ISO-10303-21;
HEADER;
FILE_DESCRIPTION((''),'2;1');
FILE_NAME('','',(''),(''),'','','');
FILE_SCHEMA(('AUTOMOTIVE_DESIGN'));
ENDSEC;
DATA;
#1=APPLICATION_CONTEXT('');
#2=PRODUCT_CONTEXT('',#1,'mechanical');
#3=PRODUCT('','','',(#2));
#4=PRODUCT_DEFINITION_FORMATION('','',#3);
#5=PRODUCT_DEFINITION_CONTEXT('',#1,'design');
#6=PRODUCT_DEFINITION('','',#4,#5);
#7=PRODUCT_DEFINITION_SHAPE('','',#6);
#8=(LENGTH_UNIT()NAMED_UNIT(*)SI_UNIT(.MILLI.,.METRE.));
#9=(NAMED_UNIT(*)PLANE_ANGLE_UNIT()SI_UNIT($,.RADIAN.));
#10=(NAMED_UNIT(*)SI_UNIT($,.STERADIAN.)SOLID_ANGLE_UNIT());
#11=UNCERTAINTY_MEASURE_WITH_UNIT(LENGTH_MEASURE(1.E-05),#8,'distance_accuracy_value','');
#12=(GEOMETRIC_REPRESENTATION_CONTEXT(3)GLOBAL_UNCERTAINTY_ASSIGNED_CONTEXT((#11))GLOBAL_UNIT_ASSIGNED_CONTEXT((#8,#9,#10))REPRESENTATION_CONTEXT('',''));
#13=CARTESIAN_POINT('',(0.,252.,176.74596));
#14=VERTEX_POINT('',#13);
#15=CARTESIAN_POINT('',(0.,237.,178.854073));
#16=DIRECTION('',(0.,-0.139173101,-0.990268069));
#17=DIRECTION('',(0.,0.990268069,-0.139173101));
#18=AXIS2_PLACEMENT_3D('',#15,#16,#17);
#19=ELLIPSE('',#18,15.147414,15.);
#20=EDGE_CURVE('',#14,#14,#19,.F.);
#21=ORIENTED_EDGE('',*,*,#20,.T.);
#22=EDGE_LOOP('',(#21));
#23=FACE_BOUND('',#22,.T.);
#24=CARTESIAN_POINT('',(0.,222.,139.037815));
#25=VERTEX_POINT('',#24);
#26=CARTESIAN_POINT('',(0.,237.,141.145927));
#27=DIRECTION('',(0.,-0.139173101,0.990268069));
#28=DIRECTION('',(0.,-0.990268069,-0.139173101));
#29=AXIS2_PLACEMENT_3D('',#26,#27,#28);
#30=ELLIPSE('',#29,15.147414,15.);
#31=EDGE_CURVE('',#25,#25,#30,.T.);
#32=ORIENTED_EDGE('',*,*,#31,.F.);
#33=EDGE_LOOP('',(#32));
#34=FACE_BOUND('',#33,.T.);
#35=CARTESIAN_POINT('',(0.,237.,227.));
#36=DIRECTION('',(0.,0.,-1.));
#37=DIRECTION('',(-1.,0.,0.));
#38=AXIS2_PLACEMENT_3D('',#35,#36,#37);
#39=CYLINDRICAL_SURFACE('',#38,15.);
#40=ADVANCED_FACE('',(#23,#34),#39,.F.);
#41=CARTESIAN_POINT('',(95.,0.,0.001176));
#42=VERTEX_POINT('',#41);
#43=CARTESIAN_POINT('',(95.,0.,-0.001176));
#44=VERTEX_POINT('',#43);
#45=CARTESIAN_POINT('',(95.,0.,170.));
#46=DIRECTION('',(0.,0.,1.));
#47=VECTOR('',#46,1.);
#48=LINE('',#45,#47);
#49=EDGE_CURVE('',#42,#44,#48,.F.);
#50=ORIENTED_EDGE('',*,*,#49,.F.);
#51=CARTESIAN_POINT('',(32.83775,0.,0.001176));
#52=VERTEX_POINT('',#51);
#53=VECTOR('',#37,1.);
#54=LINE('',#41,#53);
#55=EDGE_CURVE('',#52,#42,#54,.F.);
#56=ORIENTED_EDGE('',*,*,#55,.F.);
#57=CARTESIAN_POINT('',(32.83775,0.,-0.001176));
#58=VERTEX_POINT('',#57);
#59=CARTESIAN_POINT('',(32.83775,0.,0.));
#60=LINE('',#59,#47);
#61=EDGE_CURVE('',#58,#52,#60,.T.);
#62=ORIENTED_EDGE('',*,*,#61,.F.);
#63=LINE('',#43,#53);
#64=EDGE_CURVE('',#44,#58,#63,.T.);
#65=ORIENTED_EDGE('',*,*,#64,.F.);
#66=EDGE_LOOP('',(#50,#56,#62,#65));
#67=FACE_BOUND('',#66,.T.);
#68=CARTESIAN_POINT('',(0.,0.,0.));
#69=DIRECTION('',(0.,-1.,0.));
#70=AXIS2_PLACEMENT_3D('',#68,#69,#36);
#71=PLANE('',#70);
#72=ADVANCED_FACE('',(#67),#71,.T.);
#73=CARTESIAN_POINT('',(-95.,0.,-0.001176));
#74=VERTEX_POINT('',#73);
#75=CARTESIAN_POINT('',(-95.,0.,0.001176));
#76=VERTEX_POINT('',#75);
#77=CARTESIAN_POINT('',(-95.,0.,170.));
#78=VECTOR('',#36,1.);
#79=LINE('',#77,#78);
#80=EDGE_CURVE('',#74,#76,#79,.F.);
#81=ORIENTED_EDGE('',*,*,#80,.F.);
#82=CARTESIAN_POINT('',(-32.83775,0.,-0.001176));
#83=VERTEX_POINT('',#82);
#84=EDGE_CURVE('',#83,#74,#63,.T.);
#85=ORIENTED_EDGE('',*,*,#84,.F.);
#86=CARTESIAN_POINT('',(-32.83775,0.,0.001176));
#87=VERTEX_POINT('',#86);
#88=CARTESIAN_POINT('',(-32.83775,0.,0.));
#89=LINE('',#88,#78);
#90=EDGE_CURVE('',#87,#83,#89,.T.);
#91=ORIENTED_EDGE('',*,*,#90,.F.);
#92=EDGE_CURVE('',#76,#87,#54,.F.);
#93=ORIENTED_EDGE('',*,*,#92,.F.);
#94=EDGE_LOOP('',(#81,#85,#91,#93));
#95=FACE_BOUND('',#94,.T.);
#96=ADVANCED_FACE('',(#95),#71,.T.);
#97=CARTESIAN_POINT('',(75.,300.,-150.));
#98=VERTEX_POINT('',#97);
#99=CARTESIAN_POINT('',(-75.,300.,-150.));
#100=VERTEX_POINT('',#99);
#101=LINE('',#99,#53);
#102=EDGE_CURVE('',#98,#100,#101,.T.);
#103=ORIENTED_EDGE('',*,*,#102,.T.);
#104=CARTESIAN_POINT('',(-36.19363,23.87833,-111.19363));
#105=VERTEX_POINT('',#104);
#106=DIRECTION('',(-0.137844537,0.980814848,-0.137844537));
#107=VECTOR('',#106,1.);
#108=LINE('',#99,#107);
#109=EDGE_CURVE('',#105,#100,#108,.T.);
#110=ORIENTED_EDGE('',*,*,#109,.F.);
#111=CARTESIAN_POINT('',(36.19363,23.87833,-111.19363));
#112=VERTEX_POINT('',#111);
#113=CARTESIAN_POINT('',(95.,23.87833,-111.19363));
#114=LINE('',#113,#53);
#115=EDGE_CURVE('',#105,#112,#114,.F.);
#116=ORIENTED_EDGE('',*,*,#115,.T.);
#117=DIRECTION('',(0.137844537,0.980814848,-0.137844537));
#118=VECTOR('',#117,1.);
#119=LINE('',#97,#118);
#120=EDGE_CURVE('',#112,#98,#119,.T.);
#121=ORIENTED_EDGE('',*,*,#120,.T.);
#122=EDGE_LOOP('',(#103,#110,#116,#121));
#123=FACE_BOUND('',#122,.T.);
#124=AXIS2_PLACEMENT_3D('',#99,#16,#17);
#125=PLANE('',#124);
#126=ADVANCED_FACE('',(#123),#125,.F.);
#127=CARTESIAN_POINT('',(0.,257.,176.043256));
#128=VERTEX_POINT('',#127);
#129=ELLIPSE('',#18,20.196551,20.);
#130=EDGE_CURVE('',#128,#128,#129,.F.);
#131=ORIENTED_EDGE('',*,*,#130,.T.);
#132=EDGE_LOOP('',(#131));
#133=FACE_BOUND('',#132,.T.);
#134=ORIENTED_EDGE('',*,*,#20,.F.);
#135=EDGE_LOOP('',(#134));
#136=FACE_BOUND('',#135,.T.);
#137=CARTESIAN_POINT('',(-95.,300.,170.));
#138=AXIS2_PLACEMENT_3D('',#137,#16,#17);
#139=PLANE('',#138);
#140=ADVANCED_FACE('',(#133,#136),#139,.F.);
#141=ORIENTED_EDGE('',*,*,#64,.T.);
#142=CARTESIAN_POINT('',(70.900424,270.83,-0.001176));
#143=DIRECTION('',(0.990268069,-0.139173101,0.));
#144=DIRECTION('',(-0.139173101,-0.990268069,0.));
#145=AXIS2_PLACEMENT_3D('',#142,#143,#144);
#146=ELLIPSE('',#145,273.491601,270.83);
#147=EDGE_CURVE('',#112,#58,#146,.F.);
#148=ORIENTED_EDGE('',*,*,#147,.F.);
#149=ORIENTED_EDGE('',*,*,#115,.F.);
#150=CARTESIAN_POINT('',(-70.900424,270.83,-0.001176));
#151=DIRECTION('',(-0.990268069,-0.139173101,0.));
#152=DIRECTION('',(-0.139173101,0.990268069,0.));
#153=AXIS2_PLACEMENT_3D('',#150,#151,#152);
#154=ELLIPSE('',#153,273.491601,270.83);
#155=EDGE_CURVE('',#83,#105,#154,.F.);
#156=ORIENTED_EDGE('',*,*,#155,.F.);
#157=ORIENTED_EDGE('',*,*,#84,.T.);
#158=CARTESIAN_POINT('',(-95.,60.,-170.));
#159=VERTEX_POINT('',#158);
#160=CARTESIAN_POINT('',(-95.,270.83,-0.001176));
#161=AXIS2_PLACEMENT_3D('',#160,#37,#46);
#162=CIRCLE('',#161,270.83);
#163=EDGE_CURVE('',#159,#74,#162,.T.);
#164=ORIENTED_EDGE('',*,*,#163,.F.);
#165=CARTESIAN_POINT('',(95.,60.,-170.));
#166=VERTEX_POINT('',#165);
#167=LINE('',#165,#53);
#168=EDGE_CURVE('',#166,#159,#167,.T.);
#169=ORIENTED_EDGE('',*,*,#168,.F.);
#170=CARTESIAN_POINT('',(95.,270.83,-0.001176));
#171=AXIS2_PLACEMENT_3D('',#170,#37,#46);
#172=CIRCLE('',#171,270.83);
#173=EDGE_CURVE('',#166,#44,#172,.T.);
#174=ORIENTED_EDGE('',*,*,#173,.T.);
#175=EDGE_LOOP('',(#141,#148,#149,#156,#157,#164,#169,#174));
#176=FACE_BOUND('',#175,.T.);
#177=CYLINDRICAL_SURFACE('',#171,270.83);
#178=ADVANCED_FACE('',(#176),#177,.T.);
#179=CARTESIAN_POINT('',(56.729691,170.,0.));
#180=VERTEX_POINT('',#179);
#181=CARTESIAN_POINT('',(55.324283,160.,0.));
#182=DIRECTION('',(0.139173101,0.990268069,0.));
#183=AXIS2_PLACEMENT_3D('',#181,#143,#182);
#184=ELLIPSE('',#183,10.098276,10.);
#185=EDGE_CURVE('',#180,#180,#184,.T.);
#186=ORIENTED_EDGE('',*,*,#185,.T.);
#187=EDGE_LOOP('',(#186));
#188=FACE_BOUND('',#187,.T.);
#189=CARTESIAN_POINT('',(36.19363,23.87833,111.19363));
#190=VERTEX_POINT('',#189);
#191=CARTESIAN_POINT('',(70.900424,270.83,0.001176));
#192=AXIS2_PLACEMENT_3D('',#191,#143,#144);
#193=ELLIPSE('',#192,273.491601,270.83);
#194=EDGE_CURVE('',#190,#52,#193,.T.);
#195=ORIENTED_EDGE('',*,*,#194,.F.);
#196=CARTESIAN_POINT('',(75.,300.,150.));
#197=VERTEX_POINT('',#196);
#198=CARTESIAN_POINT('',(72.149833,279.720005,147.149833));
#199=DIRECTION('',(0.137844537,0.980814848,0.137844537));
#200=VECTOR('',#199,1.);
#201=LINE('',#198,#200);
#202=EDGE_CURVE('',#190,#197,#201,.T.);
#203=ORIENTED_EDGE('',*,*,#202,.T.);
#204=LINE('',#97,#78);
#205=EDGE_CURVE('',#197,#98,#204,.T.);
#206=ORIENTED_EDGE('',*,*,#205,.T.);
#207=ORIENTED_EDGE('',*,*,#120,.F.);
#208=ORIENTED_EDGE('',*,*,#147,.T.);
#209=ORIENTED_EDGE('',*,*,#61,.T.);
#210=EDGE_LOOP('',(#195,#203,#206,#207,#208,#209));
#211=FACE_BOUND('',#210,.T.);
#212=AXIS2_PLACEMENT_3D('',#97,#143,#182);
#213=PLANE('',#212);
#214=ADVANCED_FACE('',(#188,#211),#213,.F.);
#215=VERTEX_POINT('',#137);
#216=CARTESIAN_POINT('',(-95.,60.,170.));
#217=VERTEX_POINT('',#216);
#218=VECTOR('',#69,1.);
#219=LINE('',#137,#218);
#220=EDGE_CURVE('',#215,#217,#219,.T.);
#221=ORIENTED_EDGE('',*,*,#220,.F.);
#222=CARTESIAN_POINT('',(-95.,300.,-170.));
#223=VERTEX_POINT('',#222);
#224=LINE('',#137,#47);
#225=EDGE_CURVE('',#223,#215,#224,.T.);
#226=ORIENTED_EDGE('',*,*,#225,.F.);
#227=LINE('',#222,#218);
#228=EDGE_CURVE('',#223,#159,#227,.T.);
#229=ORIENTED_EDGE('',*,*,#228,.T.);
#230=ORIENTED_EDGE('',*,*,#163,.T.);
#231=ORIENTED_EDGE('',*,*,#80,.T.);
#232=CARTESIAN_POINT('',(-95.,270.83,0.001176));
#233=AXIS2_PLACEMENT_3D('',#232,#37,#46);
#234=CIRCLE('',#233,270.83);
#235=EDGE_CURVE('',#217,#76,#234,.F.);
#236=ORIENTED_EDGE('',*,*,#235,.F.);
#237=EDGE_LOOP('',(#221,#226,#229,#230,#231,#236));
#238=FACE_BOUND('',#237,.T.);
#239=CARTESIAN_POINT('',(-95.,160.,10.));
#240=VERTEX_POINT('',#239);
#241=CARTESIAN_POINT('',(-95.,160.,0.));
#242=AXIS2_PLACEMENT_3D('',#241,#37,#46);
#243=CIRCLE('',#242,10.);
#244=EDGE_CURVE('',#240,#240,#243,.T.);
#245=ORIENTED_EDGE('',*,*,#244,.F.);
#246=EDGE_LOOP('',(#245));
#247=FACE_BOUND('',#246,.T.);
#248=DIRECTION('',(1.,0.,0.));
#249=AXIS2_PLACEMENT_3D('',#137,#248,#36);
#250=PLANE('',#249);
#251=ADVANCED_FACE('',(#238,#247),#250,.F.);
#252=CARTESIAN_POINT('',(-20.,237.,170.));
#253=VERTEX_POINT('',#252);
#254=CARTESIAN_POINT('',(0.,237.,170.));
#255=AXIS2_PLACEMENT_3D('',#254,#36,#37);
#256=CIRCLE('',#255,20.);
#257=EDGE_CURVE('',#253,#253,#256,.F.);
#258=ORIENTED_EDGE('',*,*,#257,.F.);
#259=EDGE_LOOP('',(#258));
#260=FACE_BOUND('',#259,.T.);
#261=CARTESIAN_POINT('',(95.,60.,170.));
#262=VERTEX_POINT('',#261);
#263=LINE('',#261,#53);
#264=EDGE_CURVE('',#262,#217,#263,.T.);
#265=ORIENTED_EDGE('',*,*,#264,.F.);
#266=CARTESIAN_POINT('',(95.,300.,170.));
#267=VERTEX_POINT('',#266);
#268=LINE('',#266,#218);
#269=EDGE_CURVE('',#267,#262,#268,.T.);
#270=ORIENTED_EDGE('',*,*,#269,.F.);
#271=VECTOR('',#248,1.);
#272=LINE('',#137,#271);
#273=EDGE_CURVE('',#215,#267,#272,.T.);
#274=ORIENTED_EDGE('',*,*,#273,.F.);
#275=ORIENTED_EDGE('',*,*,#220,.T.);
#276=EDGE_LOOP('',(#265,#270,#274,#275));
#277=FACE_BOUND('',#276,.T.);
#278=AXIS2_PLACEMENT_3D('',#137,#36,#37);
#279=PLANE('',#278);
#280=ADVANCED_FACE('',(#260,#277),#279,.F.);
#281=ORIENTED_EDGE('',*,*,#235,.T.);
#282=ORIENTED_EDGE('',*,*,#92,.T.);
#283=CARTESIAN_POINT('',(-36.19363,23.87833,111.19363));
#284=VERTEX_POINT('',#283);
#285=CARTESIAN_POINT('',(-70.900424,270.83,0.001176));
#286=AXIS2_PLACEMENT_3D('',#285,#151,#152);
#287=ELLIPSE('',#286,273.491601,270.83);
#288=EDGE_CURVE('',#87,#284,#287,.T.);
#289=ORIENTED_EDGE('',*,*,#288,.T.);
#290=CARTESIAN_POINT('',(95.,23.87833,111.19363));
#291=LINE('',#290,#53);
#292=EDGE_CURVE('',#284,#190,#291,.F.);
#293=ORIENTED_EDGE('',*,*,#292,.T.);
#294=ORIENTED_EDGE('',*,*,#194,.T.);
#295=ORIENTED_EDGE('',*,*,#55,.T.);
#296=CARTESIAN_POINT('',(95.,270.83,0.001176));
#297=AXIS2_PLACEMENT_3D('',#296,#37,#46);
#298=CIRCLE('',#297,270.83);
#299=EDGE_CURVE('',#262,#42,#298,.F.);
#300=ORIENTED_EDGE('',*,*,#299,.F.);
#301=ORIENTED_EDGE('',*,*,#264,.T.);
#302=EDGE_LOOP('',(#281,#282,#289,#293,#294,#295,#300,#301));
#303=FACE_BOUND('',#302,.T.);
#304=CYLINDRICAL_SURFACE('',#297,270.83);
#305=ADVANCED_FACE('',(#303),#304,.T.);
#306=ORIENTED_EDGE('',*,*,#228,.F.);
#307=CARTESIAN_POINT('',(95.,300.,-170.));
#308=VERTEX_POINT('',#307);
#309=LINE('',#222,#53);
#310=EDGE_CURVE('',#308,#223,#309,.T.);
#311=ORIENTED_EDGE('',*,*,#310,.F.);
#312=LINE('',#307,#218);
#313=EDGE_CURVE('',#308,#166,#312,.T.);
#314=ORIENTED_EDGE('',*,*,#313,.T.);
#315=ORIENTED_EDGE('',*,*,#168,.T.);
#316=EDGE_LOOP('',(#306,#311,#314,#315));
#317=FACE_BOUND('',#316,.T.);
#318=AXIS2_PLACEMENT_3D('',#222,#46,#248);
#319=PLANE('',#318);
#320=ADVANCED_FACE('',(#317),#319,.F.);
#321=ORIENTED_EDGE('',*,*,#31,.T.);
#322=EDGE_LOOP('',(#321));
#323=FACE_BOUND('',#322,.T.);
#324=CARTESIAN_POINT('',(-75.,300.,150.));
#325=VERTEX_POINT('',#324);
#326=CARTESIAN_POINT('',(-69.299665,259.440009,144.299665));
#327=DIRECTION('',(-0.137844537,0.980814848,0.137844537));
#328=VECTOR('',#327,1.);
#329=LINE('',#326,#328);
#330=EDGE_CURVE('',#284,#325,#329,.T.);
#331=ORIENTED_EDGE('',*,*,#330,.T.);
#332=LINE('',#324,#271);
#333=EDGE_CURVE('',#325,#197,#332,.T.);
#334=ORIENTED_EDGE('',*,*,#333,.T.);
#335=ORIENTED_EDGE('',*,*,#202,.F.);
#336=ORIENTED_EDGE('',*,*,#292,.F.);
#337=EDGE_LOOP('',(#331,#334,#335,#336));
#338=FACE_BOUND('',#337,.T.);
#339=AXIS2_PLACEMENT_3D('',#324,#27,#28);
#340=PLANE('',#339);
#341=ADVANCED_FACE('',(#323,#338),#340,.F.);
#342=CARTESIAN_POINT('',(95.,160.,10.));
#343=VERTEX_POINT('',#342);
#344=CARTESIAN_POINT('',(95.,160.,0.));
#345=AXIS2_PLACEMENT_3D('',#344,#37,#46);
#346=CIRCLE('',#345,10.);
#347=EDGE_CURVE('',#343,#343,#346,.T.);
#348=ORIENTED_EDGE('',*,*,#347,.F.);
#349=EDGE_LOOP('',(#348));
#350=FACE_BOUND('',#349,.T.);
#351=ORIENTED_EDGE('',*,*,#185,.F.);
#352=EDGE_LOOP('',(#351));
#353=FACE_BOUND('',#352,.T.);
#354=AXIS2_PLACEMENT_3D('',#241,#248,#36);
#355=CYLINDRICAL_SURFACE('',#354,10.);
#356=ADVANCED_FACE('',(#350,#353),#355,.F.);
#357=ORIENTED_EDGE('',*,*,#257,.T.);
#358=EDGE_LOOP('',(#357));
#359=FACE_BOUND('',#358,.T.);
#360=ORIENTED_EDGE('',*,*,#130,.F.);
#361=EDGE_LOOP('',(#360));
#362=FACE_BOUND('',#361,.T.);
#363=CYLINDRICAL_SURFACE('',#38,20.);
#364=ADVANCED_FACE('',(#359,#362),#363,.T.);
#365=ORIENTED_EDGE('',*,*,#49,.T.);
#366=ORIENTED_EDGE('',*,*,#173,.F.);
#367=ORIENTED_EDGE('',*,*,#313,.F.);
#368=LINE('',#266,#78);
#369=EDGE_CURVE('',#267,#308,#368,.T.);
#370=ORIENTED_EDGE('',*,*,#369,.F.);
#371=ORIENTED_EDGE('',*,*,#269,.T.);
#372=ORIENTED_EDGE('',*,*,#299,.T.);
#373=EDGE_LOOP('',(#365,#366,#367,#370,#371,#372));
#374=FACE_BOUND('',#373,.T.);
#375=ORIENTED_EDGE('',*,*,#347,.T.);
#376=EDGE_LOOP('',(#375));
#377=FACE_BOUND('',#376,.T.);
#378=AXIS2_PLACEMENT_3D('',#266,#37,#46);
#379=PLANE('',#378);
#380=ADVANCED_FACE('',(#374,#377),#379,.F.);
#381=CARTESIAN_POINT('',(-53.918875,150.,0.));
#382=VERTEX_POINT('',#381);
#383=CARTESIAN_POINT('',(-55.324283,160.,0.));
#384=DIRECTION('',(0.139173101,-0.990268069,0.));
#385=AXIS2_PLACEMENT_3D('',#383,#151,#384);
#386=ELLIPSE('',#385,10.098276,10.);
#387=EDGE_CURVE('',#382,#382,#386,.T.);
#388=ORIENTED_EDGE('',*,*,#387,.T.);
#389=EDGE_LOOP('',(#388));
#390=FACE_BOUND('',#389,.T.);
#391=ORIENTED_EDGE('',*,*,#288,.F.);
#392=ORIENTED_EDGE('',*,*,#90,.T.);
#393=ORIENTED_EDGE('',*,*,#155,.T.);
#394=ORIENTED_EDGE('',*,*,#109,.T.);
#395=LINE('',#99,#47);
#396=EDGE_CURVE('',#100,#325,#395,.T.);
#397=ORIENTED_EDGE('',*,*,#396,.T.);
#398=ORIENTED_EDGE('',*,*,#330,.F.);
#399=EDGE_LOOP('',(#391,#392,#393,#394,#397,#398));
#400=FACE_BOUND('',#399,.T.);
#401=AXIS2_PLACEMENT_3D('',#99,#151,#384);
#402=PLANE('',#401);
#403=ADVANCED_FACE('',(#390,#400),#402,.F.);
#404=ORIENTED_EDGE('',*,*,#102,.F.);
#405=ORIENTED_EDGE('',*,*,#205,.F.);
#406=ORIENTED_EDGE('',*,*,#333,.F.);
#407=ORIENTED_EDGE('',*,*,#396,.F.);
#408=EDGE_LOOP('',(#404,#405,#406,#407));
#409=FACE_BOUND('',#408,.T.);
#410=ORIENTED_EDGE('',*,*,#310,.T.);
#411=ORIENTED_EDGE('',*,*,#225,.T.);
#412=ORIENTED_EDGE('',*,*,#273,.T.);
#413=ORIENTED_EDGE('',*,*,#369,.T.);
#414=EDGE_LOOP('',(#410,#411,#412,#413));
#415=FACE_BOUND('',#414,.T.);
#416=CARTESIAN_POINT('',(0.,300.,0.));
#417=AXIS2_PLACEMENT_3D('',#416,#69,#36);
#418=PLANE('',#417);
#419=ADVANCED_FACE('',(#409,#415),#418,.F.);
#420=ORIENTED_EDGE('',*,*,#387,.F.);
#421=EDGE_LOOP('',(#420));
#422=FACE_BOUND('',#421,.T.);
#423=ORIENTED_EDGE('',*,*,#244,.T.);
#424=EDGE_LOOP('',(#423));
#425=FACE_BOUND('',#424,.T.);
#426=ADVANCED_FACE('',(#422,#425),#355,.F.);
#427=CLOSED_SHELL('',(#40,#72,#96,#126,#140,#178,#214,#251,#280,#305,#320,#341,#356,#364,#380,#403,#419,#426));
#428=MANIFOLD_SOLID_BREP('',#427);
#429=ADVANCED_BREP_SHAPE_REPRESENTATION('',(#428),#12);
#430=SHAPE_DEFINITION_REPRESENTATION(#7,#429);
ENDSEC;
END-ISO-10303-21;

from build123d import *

# Parameters (mm, degrees)
SKETCH1_W                    = 190
SKETCH1_H                    = 340
BOSS_EXTRUDE1_DEPTH          = 300
SKETCH2_R                    = 20
SKETCH2_R_2                  = 15
BOSS_EXTRUDE2_DEPTH          = 57
CUT_EXTRUDE1_START           = -190
SKETCH5_R                    = 10
CUT_EXTRUDE1_DEPTH           = 612.460555687
CUT_EXTRUDE2_DEPTH           = 422.460555687
CUT_EXTRUDE6_START           = -236
CUT_EXTRUDE6_DEPTH           = 236
SKETCH10_OUTSIDE_W           = 383.134
SKETCH10_OUTSIDE_H           = 590.134
SKETCH10_OUTSIDE_W_2         = 190
SKETCH10_OUTSIDE_H_2         = 340
CUT_EXTRUDE7_DEPTH           = 301
CUT_EXTRUDE7_DRAFT           = -8
SKETCH10_OUTSIDE_W_3         = 150
SKETCH10_OUTSIDE_H_3         = 300
CUT_EXTRUDE7_PROFILE_2_DEPTH = 301
CUT_EXTRUDE7_PROFILE_2_DRAFT = -8


with BuildPart() as part:
    # Sketch1 → Boss-Extrude1 (new body)
    with BuildSketch(Plane(origin=(0, 0, 0), x_dir=(1, 0, 0), z_dir=(0, 1, 0))):
        Rectangle(SKETCH1_W, SKETCH1_H)
    extrude(amount=BOSS_EXTRUDE1_DEPTH)

    # Sketch2 → Boss-Extrude2 (add)
    with BuildSketch(Plane.XY.offset(170)):
        with Locations(Location((0, 237, 0), (0, 0, 180))):
            Circle(SKETCH2_R)
        with Locations(Location((0, 237, 0), (0, 0, 180))):
            Circle(SKETCH2_R_2, mode=Mode.SUBTRACT)
    extrude(amount=BOSS_EXTRUDE2_DEPTH)

    # Sketch5 → Cut-Extrude1 (cut, through all)
    with BuildSketch(Plane.ZY.offset(95).offset(CUT_EXTRUDE1_START)):
        with Locations((0, 160)):
            Circle(SKETCH5_R)
    extrude(amount=CUT_EXTRUDE1_DEPTH, mode=Mode.SUBTRACT)

    # Sketch9 → Cut-Extrude2 (cut, through all)
    with BuildSketch(Plane.ZY.offset(95)):
        with BuildLine():
            ThreePointArc((0, 0), (-90.138848958, 15.439927953), (-170, 60))
            Line((-170, 60), (-170, 0))
            Line((-170, 0), (0, 0))
        make_face()
        with BuildLine():
            ThreePointArc((170, 60), (90.138848958, 15.439927953), (0, 0))
            Line((0, 0), (170, 0))
            Line((170, 0), (170, 60))
        make_face()
    extrude(amount=-CUT_EXTRUDE2_DEPTH, mode=Mode.SUBTRACT)

    # Sketch2<3> → Cut-Extrude6 (cut)
    with BuildSketch(Plane.XY.offset(170).offset(CUT_EXTRUDE6_START)):
        with BuildLine():
            ThreePointArc((-15, 237), (0, 222), (15, 237))
            Line((15, 237), (-15, 237))
        make_face()
        with BuildLine():
            Line((-15, 237), (15, 237))
            ThreePointArc((15, 237), (0, 252), (-15, 237))
        make_face()
    extrude(amount=CUT_EXTRUDE6_DEPTH, mode=Mode.SUBTRACT)


with BuildPart() as cut_extrude7_tool:
    # Sketch10 outside → Cut-Extrude7 (with draft: the straight prism first)
    with BuildSketch(Plane(origin=(0, 300, 0), x_dir=(1, 0, 0), z_dir=(0, 1, 0))):
        with Locations((0, -28.5)):
            Rectangle(SKETCH10_OUTSIDE_W, SKETCH10_OUTSIDE_H)
        Rectangle(SKETCH10_OUTSIDE_W_2, SKETCH10_OUTSIDE_H_2, mode=Mode.SUBTRACT)
    extrude(amount=-CUT_EXTRUDE7_DEPTH)
    # Cut-Extrude7: the draft: its side faces are tilted about the plane it starts from
    cut_extrude7_sides = [cut_extrude7_tool.faces().sort_by_distance(p)[0] for p in [
        (0, 149.5, 323.567),
        (191.567, 149.5, 28.5),
        (0, 149.5, -266.567),
        (-191.567, 149.5, 28.5),
        (0, 149.5, -170),
        (95, 149.5, 0),
        (0, 149.5, 170),
        (-95, 149.5, 0),
    ]]
    draft(cut_extrude7_sides, Plane(origin=(0, 300, 0), x_dir=(1, 0, 0), z_dir=(0, 1, 0)), CUT_EXTRUDE7_DRAFT)


with BuildPart() as part_1:
    add(part.part)

    # Cut-Extrude7: cut by cut_extrude7_tool
    add(cut_extrude7_tool.part, mode=Mode.SUBTRACT)


with BuildPart() as cut_extrude7_profile_2_tool:
    # Sketch10 outside → Cut-Extrude7 profile 2 (with draft: the straight prism first)
    with BuildSketch(Plane(origin=(0, 300, 0), x_dir=(1, 0, 0), z_dir=(0, 1, 0))):
        Rectangle(SKETCH10_OUTSIDE_W_3, SKETCH10_OUTSIDE_H_3)
    extrude(amount=-CUT_EXTRUDE7_PROFILE_2_DEPTH)
    # Cut-Extrude7 profile 2: the draft: its side faces are tilted about the plane it starts from
    cut_extrude7_profile_2_sides = [cut_extrude7_profile_2_tool.faces().sort_by_distance(p)[0] for p in [
        (-75, 149.5, 0),
        (0, 149.5, 150),
        (75, 149.5, 0),
        (0, 149.5, -150),
    ]]
    draft(cut_extrude7_profile_2_sides, Plane(origin=(0, 300, 0), x_dir=(1, 0, 0), z_dir=(0, 1, 0)), CUT_EXTRUDE7_PROFILE_2_DRAFT)


with BuildPart() as part_2:
    add(part_1.part)

    # Cut-Extrude7 profile 2: cut by cut_extrude7_profile_2_tool
    add(cut_extrude7_profile_2_tool.part, mode=Mode.SUBTRACT)


solid = part_2.part
